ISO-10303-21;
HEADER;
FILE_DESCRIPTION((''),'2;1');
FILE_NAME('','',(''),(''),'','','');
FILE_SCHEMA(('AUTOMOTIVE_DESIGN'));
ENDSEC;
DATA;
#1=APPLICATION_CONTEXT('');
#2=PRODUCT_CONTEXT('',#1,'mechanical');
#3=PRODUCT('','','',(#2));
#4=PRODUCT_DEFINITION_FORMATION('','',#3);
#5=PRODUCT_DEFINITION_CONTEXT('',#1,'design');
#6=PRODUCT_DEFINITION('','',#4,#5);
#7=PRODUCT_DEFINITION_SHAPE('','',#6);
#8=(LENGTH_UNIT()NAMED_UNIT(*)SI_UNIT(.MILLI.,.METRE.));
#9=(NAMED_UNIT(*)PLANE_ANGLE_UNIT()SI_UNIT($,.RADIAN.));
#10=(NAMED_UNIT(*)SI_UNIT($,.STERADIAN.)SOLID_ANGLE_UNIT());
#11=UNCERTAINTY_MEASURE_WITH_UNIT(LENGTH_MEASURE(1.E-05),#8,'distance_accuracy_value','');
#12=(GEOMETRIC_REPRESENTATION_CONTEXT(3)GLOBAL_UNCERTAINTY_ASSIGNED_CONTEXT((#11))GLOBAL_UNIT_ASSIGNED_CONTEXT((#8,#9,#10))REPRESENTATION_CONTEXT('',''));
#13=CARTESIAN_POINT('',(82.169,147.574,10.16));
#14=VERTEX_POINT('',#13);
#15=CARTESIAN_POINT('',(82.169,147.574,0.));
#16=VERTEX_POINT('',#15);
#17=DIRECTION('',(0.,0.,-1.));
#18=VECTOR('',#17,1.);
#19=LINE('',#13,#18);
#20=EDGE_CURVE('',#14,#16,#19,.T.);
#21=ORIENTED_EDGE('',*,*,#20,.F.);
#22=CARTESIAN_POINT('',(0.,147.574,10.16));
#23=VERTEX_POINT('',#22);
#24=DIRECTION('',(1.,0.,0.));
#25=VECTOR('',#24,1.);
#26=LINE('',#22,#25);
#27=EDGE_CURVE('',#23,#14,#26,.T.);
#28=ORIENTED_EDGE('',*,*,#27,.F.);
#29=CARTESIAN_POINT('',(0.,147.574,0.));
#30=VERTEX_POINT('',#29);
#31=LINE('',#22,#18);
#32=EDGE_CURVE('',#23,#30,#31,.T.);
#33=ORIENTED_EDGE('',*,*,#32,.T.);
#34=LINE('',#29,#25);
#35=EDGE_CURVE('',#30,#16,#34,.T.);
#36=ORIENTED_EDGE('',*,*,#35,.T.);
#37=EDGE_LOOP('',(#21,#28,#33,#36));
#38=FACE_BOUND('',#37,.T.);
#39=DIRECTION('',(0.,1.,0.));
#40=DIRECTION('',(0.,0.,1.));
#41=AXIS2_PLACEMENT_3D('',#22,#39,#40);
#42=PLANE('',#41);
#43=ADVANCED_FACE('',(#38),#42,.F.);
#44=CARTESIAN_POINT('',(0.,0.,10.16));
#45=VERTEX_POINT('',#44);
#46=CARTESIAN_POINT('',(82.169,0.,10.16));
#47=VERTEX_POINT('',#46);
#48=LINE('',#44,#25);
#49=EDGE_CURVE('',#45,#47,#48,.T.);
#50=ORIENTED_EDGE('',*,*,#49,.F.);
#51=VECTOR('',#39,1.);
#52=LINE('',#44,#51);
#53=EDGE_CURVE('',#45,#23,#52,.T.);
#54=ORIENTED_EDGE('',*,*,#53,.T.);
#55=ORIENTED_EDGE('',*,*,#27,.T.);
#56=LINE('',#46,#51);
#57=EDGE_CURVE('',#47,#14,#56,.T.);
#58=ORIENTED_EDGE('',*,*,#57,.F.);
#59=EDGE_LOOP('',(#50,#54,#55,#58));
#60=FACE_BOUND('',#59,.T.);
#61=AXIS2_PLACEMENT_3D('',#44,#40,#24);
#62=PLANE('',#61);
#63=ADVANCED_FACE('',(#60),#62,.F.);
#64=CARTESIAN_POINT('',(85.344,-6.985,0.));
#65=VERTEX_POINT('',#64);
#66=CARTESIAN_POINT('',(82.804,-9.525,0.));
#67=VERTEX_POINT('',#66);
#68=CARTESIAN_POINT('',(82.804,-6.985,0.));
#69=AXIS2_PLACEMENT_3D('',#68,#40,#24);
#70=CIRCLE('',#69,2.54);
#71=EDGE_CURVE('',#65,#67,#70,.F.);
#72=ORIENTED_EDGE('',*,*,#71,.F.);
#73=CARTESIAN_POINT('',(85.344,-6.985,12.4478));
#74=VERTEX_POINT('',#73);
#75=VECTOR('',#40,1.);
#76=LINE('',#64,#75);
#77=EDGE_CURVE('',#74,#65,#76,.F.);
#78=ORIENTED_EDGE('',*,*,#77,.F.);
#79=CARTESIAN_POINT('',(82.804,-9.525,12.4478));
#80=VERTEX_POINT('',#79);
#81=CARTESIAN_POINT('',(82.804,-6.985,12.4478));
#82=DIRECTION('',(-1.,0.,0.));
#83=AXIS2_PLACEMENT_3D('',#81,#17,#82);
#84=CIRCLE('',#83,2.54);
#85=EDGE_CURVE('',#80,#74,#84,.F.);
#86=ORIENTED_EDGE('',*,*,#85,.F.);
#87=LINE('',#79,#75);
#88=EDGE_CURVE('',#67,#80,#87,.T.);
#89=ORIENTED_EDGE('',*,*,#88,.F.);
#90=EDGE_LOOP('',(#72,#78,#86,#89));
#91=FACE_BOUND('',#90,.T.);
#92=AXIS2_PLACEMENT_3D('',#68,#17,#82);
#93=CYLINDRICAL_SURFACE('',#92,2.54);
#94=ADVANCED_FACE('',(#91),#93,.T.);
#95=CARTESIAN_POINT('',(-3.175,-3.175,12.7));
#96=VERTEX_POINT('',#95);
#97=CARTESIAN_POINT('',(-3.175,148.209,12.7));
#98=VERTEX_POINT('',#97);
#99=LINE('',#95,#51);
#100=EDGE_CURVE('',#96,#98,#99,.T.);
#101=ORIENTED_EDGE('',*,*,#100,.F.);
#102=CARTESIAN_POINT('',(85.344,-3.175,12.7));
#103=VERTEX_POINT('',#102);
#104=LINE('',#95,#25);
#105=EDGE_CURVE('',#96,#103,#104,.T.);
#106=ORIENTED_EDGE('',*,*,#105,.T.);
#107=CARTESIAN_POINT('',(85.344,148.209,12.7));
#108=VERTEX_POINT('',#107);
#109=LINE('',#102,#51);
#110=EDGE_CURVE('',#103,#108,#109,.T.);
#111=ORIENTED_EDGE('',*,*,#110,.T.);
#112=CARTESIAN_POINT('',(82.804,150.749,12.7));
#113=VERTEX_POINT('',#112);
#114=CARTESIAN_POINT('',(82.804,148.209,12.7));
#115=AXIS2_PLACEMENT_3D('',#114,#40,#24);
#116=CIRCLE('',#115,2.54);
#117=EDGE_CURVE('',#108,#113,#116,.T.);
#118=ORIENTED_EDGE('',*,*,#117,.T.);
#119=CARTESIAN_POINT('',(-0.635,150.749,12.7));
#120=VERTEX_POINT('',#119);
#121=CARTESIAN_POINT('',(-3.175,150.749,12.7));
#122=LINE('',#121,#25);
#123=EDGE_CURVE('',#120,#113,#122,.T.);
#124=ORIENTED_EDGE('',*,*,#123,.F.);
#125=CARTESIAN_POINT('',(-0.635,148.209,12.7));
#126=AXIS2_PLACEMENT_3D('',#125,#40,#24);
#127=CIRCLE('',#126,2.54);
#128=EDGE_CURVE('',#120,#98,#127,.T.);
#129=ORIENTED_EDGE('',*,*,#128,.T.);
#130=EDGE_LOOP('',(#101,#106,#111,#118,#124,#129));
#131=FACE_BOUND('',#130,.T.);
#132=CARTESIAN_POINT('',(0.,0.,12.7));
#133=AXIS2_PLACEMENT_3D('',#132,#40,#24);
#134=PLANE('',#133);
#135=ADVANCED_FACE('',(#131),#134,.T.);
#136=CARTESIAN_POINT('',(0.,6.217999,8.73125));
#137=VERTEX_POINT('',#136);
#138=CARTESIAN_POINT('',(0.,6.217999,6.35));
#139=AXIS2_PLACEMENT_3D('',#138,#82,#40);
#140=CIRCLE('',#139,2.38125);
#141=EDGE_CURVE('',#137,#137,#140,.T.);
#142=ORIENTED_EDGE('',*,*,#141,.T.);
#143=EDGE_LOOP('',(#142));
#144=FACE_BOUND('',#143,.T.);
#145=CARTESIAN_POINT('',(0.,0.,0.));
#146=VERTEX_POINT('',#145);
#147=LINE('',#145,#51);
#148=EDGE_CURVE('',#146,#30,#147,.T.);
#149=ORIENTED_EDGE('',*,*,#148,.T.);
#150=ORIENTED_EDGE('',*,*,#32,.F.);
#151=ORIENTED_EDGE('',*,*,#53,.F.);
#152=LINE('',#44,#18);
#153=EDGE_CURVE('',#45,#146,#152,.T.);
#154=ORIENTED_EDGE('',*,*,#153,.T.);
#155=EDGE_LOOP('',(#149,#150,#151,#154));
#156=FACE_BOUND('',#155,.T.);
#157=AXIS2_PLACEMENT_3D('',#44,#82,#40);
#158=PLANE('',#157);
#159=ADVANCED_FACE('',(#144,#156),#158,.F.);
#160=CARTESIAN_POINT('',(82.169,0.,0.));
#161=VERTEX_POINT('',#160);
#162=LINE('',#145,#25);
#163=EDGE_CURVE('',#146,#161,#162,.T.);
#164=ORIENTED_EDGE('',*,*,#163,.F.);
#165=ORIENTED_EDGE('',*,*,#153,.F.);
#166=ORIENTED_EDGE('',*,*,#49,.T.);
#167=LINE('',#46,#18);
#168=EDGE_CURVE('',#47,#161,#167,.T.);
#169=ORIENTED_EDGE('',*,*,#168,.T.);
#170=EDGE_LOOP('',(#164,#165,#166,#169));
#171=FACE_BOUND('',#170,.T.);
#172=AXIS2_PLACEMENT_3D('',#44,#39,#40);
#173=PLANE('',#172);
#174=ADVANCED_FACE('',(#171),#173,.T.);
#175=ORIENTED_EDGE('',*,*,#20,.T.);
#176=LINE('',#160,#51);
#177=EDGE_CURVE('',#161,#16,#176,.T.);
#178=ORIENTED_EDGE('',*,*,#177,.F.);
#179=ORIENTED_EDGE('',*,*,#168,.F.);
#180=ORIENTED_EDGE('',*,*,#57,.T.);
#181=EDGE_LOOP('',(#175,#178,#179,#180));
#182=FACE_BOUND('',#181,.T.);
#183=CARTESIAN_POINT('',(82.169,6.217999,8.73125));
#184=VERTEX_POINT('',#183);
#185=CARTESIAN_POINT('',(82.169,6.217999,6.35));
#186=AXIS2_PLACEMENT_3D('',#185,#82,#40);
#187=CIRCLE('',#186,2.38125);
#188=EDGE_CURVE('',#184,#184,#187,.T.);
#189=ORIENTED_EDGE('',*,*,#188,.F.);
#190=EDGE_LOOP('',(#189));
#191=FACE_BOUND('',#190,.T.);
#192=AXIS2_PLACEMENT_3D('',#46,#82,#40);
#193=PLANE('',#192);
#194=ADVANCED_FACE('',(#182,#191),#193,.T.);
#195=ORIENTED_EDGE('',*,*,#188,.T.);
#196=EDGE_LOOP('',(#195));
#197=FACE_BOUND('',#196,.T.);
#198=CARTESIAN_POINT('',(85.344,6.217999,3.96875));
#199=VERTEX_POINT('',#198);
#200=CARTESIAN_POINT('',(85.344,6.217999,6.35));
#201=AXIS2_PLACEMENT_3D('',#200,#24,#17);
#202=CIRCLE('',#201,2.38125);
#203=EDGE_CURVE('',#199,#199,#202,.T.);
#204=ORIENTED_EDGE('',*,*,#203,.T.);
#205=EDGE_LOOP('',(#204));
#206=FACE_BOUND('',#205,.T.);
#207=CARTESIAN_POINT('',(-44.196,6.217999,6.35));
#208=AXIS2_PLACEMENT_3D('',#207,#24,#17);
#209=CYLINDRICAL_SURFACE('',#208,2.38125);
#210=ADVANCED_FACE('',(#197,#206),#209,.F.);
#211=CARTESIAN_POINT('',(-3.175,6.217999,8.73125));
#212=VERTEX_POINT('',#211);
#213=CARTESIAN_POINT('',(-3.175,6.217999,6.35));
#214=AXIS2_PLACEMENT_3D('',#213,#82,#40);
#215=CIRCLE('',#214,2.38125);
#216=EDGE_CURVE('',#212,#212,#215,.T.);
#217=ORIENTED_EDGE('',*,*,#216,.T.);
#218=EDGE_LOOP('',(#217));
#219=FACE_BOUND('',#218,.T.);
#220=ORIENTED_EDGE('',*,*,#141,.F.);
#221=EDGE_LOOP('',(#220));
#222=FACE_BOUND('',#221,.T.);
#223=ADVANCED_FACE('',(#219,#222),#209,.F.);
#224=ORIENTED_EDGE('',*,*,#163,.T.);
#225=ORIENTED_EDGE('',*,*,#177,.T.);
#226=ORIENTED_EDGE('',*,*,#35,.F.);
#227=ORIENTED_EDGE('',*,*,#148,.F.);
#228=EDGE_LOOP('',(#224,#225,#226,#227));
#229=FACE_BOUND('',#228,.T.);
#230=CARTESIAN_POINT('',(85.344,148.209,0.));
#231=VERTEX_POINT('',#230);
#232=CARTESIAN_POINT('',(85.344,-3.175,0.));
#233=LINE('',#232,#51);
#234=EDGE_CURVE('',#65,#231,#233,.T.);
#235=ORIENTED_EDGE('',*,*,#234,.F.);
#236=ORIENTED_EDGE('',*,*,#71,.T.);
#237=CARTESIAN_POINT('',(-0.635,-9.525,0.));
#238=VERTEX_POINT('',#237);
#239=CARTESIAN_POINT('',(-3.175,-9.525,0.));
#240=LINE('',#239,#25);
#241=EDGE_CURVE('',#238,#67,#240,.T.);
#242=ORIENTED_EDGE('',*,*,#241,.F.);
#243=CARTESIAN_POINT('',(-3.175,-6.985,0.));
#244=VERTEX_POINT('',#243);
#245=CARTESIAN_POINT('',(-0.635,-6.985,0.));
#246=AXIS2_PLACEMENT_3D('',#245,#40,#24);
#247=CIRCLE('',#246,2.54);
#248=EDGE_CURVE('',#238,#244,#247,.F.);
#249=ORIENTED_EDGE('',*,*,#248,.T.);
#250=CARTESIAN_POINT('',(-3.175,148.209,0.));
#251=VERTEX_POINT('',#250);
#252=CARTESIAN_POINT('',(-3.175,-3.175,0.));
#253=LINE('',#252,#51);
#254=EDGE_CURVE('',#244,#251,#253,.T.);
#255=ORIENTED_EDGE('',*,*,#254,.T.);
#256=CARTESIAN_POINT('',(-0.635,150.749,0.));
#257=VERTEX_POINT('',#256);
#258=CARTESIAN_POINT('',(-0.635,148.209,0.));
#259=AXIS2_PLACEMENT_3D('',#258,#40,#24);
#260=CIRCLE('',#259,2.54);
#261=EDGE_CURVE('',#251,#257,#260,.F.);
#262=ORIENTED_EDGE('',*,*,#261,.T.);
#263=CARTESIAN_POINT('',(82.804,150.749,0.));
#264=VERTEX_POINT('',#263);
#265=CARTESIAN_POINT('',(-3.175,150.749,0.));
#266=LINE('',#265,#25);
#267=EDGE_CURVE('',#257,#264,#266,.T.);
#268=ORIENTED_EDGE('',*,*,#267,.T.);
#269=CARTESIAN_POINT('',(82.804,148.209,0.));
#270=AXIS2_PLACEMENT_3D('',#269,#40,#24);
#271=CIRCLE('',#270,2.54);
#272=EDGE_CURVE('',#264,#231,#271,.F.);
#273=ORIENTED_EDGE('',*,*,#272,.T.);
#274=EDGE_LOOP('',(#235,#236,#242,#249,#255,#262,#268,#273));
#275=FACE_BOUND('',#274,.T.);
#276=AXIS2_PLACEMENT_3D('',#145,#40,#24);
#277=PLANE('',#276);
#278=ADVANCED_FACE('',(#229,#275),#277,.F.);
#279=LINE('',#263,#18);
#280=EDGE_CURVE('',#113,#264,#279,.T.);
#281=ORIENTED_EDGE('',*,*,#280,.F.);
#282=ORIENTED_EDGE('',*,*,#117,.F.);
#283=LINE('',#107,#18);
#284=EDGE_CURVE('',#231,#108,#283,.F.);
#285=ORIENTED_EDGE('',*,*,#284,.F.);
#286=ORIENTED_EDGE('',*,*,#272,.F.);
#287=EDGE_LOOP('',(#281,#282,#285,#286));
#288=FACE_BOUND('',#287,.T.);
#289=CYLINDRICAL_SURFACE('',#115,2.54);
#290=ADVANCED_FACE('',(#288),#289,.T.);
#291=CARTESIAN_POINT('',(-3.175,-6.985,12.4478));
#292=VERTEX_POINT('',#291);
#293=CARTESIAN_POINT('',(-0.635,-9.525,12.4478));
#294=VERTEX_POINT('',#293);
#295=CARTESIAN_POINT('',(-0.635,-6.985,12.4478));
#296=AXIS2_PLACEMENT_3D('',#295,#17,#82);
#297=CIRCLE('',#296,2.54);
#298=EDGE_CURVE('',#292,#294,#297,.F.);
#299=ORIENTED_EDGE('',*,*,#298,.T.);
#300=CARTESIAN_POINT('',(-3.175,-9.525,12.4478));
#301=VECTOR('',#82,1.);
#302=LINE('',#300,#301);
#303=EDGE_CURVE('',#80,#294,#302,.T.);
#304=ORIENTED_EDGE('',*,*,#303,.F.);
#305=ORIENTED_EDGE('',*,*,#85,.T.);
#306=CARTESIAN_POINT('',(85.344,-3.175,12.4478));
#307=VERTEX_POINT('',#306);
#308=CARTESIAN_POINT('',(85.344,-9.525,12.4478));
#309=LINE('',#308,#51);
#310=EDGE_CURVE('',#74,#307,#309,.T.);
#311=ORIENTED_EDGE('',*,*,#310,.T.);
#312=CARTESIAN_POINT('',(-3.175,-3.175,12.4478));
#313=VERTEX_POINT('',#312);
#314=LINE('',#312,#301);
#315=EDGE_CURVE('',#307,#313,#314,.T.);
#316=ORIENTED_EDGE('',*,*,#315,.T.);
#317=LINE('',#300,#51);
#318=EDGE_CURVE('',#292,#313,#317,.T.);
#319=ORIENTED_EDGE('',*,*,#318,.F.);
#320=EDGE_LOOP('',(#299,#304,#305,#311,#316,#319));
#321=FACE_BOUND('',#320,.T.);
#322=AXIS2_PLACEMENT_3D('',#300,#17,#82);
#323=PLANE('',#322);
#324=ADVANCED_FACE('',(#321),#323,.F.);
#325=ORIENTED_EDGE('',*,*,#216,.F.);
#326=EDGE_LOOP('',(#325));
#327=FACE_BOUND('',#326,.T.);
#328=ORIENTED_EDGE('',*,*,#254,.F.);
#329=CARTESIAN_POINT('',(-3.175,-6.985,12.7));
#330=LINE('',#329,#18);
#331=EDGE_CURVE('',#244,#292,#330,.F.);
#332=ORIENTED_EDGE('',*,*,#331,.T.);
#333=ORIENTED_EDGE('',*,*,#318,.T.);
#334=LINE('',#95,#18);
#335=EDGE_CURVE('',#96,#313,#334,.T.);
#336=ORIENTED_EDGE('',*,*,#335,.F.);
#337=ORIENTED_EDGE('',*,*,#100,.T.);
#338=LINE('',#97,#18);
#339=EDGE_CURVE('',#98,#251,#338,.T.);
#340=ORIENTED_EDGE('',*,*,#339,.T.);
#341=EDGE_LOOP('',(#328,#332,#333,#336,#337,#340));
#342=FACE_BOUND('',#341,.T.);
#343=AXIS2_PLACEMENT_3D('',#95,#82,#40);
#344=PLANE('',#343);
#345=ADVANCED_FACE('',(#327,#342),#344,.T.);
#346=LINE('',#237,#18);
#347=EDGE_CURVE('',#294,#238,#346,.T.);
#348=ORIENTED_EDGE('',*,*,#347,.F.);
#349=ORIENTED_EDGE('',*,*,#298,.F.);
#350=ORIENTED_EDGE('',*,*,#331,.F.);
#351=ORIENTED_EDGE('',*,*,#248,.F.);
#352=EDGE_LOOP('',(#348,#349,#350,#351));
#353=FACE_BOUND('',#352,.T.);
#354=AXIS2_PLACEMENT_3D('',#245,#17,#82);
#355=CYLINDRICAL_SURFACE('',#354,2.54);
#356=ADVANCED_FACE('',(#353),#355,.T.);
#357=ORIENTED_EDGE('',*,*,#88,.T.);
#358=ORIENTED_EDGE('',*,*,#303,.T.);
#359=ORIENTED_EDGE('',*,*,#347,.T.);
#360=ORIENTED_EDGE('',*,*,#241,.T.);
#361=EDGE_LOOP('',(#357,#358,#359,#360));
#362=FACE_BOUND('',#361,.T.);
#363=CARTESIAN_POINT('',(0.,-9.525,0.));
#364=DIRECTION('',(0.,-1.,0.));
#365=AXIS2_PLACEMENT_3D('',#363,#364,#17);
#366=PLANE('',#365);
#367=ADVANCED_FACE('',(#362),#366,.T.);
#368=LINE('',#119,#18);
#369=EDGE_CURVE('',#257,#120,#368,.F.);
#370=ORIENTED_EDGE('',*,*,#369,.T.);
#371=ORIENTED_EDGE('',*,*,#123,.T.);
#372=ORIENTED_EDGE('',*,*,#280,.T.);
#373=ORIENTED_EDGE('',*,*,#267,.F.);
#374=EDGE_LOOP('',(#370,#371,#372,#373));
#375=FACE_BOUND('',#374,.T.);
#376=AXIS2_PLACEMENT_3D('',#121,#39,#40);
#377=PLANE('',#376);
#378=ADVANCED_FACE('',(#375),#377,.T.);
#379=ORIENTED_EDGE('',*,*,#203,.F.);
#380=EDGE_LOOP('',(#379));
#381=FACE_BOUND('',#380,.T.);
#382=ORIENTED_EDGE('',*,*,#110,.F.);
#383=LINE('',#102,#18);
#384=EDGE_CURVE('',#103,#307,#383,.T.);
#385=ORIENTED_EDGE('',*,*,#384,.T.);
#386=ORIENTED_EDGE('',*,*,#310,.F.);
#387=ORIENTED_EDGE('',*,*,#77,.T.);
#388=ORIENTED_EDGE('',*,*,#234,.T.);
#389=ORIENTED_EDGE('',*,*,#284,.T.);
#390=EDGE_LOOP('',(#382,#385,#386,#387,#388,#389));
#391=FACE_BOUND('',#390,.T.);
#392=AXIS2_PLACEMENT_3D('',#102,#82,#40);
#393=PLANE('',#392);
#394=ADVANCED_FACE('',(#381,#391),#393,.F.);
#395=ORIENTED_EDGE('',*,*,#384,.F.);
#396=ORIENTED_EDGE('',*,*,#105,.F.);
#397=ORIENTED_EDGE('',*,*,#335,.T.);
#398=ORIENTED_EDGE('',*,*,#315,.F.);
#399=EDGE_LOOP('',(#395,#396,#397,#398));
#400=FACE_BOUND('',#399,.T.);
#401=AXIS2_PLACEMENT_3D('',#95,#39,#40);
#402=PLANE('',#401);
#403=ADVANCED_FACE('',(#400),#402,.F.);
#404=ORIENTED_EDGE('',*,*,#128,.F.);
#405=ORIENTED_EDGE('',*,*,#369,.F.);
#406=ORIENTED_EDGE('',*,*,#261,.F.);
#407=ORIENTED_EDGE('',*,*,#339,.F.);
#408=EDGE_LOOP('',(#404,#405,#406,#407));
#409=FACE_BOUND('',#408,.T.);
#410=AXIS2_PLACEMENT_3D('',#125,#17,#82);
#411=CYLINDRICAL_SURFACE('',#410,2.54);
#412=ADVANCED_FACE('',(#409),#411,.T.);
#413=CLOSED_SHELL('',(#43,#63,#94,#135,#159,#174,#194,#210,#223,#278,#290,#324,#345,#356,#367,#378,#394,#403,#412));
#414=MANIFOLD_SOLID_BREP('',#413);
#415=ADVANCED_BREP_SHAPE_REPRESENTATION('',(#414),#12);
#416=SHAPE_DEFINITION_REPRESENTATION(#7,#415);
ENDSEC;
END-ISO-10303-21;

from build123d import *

# Parameters (mm, degrees)
SKETCH2_W           = 88.519
SKETCH2_H           = 153.924
BOSS_EXTRUDE2_DEPTH = 12.7
SKETCH2_6_W         = 82.169
SKETCH2_6_H         = 147.574
CUT_EXTRUDE1_DEPTH  = 10.16
SKETCH3_R           = 2.38125
CUT_EXTRUDE2_DEPTH  = 129.54
SKETCH4_W           = 88.519
SKETCH4_H           = 12.447800228
BOSS_EXTRUDE3_DEPTH = 6.35
FILLET1_R           = 2.54


with BuildPart() as part:
    # Sketch2 → Boss-Extrude2 (new body)
    with BuildSketch(Plane.XY):
        with Locations((41.0845, 73.787)):
            Rectangle(SKETCH2_W, SKETCH2_H)
    extrude(amount=BOSS_EXTRUDE2_DEPTH)

    # Sketch2<6> → Cut-Extrude1 (cut)
    with BuildSketch(Plane.XY):
        with Locations((41.0845, 73.787)):
            Rectangle(SKETCH2_6_W, SKETCH2_6_H)
    extrude(amount=CUT_EXTRUDE1_DEPTH, mode=Mode.SUBTRACT)

    # Sketch3 → Cut-Extrude2 (cut)
    with BuildSketch(Plane(origin=(85.344, 0, 0), x_dir=(0, 0, -1), z_dir=(1, 0, 0))):
        with Locations((-6.35, 6.217998886)):
            Circle(SKETCH3_R)
    extrude(amount=-CUT_EXTRUDE2_DEPTH, mode=Mode.SUBTRACT)

    # Sketch4 → Boss-Extrude3 (add)
    with BuildSketch(Plane.XZ.offset(3.175)):
        with Locations((41.0845, 6.223900114)):
            Rectangle(SKETCH4_W, SKETCH4_H)
    extrude(amount=BOSS_EXTRUDE3_DEPTH)

    # Fillet1
    fillet1_edges = [part.edges().sort_by_distance(p)[0] for p in [
        (-3.175, -9.525, 6.223900114),
        (85.344, -9.525, 6.223900114),
        (-3.175, 150.749, 6.35),
        (85.344, 150.749, 6.35),
    ]]
    fillet(fillet1_edges, radius=FILLET1_R)


solid = part.part
